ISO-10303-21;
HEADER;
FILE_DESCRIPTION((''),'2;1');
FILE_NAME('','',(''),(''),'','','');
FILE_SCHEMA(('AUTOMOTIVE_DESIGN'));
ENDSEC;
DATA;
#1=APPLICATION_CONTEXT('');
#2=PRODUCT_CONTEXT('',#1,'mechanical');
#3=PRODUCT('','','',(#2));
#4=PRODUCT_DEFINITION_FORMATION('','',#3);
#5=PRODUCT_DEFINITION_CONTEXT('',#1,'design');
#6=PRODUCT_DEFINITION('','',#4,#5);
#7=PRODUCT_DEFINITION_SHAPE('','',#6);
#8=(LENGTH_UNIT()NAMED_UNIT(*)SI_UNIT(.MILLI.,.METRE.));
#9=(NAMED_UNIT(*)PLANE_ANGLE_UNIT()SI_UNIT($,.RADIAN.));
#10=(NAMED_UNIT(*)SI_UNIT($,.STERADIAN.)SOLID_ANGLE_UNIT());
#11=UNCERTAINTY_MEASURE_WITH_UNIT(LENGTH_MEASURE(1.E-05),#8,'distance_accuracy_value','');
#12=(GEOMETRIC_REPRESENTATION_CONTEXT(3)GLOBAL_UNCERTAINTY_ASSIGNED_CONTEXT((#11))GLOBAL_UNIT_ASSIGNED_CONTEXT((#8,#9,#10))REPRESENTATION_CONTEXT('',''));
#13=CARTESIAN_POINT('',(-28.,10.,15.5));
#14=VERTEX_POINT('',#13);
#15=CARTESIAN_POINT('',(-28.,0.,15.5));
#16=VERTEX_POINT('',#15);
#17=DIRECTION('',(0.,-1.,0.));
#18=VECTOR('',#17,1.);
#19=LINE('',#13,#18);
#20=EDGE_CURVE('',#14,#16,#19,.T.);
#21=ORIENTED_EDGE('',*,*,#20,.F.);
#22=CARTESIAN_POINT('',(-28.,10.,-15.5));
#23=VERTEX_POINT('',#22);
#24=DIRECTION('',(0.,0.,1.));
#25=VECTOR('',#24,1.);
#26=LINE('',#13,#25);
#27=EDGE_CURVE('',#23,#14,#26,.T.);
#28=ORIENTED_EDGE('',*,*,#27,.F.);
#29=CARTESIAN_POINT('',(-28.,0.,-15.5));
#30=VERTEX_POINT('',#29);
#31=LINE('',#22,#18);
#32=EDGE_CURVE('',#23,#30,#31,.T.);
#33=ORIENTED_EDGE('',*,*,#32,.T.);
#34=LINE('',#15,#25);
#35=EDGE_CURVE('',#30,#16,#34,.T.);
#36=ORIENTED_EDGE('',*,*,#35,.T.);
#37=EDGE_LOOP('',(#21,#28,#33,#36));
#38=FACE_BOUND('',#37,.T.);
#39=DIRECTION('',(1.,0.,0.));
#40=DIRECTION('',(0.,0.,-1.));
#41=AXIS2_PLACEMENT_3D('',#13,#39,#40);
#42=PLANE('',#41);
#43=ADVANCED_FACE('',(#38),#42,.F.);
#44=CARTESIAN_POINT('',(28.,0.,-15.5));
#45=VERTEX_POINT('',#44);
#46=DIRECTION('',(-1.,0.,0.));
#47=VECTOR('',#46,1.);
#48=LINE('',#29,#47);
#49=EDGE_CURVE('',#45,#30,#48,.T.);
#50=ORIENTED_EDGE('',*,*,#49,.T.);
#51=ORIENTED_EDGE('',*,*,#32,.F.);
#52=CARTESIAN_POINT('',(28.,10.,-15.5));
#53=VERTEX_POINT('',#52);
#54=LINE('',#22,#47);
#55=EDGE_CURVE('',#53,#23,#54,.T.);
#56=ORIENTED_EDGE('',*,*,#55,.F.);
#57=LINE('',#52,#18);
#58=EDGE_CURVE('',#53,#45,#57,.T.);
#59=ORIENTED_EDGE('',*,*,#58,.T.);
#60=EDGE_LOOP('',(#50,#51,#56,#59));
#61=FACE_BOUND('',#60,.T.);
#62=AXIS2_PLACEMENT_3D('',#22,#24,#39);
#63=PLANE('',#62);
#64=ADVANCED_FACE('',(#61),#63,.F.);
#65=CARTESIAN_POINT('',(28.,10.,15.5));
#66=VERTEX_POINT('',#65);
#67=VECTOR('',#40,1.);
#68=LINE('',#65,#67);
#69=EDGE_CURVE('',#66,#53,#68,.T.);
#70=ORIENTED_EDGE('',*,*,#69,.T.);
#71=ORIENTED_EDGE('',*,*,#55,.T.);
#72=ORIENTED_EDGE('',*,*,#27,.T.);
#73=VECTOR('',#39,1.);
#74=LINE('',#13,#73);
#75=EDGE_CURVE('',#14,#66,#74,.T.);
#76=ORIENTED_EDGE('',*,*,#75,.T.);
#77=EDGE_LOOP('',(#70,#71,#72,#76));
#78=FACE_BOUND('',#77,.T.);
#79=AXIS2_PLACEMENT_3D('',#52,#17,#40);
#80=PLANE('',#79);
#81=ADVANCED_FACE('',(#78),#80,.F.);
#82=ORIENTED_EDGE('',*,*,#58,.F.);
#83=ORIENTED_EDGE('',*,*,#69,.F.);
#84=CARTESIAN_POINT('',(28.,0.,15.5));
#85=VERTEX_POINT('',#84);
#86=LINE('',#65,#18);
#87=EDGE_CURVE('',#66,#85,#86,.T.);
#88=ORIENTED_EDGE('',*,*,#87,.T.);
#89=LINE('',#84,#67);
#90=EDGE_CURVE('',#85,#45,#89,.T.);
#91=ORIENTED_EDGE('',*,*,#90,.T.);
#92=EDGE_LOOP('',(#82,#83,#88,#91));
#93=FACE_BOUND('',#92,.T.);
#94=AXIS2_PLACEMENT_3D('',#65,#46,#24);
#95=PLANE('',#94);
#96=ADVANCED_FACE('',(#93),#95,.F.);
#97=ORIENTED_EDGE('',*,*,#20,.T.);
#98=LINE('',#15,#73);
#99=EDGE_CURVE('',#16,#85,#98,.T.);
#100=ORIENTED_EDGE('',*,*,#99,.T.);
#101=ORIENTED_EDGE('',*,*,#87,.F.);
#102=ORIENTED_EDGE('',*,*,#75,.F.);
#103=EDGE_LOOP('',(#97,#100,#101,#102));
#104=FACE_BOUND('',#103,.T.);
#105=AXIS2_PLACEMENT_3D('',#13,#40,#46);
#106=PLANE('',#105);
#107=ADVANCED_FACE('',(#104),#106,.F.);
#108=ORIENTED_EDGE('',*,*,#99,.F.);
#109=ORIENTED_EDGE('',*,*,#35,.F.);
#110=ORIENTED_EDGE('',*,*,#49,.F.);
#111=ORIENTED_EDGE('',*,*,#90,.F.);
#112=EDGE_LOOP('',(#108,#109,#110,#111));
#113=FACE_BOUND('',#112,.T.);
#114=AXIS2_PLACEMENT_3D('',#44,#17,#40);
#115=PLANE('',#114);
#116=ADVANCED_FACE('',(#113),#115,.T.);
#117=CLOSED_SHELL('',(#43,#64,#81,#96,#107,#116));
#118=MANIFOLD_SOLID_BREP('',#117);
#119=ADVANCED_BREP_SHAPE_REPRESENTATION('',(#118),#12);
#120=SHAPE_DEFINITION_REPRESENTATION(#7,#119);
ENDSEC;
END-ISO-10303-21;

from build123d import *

# Parameters (mm, degrees)
SKETCH1_W           = 56
SKETCH1_H           = 31
BOSS_EXTRUDE1_DEPTH = 10


with BuildPart() as part:
    # Sketch1 → Boss-Extrude1 (new body)
    with BuildSketch(Plane(origin=(0, 0, 0), x_dir=(1, 0, 0), z_dir=(0, 1, 0))):
        Rectangle(SKETCH1_W, SKETCH1_H)
    extrude(amount=BOSS_EXTRUDE1_DEPTH)


solid = part.part
